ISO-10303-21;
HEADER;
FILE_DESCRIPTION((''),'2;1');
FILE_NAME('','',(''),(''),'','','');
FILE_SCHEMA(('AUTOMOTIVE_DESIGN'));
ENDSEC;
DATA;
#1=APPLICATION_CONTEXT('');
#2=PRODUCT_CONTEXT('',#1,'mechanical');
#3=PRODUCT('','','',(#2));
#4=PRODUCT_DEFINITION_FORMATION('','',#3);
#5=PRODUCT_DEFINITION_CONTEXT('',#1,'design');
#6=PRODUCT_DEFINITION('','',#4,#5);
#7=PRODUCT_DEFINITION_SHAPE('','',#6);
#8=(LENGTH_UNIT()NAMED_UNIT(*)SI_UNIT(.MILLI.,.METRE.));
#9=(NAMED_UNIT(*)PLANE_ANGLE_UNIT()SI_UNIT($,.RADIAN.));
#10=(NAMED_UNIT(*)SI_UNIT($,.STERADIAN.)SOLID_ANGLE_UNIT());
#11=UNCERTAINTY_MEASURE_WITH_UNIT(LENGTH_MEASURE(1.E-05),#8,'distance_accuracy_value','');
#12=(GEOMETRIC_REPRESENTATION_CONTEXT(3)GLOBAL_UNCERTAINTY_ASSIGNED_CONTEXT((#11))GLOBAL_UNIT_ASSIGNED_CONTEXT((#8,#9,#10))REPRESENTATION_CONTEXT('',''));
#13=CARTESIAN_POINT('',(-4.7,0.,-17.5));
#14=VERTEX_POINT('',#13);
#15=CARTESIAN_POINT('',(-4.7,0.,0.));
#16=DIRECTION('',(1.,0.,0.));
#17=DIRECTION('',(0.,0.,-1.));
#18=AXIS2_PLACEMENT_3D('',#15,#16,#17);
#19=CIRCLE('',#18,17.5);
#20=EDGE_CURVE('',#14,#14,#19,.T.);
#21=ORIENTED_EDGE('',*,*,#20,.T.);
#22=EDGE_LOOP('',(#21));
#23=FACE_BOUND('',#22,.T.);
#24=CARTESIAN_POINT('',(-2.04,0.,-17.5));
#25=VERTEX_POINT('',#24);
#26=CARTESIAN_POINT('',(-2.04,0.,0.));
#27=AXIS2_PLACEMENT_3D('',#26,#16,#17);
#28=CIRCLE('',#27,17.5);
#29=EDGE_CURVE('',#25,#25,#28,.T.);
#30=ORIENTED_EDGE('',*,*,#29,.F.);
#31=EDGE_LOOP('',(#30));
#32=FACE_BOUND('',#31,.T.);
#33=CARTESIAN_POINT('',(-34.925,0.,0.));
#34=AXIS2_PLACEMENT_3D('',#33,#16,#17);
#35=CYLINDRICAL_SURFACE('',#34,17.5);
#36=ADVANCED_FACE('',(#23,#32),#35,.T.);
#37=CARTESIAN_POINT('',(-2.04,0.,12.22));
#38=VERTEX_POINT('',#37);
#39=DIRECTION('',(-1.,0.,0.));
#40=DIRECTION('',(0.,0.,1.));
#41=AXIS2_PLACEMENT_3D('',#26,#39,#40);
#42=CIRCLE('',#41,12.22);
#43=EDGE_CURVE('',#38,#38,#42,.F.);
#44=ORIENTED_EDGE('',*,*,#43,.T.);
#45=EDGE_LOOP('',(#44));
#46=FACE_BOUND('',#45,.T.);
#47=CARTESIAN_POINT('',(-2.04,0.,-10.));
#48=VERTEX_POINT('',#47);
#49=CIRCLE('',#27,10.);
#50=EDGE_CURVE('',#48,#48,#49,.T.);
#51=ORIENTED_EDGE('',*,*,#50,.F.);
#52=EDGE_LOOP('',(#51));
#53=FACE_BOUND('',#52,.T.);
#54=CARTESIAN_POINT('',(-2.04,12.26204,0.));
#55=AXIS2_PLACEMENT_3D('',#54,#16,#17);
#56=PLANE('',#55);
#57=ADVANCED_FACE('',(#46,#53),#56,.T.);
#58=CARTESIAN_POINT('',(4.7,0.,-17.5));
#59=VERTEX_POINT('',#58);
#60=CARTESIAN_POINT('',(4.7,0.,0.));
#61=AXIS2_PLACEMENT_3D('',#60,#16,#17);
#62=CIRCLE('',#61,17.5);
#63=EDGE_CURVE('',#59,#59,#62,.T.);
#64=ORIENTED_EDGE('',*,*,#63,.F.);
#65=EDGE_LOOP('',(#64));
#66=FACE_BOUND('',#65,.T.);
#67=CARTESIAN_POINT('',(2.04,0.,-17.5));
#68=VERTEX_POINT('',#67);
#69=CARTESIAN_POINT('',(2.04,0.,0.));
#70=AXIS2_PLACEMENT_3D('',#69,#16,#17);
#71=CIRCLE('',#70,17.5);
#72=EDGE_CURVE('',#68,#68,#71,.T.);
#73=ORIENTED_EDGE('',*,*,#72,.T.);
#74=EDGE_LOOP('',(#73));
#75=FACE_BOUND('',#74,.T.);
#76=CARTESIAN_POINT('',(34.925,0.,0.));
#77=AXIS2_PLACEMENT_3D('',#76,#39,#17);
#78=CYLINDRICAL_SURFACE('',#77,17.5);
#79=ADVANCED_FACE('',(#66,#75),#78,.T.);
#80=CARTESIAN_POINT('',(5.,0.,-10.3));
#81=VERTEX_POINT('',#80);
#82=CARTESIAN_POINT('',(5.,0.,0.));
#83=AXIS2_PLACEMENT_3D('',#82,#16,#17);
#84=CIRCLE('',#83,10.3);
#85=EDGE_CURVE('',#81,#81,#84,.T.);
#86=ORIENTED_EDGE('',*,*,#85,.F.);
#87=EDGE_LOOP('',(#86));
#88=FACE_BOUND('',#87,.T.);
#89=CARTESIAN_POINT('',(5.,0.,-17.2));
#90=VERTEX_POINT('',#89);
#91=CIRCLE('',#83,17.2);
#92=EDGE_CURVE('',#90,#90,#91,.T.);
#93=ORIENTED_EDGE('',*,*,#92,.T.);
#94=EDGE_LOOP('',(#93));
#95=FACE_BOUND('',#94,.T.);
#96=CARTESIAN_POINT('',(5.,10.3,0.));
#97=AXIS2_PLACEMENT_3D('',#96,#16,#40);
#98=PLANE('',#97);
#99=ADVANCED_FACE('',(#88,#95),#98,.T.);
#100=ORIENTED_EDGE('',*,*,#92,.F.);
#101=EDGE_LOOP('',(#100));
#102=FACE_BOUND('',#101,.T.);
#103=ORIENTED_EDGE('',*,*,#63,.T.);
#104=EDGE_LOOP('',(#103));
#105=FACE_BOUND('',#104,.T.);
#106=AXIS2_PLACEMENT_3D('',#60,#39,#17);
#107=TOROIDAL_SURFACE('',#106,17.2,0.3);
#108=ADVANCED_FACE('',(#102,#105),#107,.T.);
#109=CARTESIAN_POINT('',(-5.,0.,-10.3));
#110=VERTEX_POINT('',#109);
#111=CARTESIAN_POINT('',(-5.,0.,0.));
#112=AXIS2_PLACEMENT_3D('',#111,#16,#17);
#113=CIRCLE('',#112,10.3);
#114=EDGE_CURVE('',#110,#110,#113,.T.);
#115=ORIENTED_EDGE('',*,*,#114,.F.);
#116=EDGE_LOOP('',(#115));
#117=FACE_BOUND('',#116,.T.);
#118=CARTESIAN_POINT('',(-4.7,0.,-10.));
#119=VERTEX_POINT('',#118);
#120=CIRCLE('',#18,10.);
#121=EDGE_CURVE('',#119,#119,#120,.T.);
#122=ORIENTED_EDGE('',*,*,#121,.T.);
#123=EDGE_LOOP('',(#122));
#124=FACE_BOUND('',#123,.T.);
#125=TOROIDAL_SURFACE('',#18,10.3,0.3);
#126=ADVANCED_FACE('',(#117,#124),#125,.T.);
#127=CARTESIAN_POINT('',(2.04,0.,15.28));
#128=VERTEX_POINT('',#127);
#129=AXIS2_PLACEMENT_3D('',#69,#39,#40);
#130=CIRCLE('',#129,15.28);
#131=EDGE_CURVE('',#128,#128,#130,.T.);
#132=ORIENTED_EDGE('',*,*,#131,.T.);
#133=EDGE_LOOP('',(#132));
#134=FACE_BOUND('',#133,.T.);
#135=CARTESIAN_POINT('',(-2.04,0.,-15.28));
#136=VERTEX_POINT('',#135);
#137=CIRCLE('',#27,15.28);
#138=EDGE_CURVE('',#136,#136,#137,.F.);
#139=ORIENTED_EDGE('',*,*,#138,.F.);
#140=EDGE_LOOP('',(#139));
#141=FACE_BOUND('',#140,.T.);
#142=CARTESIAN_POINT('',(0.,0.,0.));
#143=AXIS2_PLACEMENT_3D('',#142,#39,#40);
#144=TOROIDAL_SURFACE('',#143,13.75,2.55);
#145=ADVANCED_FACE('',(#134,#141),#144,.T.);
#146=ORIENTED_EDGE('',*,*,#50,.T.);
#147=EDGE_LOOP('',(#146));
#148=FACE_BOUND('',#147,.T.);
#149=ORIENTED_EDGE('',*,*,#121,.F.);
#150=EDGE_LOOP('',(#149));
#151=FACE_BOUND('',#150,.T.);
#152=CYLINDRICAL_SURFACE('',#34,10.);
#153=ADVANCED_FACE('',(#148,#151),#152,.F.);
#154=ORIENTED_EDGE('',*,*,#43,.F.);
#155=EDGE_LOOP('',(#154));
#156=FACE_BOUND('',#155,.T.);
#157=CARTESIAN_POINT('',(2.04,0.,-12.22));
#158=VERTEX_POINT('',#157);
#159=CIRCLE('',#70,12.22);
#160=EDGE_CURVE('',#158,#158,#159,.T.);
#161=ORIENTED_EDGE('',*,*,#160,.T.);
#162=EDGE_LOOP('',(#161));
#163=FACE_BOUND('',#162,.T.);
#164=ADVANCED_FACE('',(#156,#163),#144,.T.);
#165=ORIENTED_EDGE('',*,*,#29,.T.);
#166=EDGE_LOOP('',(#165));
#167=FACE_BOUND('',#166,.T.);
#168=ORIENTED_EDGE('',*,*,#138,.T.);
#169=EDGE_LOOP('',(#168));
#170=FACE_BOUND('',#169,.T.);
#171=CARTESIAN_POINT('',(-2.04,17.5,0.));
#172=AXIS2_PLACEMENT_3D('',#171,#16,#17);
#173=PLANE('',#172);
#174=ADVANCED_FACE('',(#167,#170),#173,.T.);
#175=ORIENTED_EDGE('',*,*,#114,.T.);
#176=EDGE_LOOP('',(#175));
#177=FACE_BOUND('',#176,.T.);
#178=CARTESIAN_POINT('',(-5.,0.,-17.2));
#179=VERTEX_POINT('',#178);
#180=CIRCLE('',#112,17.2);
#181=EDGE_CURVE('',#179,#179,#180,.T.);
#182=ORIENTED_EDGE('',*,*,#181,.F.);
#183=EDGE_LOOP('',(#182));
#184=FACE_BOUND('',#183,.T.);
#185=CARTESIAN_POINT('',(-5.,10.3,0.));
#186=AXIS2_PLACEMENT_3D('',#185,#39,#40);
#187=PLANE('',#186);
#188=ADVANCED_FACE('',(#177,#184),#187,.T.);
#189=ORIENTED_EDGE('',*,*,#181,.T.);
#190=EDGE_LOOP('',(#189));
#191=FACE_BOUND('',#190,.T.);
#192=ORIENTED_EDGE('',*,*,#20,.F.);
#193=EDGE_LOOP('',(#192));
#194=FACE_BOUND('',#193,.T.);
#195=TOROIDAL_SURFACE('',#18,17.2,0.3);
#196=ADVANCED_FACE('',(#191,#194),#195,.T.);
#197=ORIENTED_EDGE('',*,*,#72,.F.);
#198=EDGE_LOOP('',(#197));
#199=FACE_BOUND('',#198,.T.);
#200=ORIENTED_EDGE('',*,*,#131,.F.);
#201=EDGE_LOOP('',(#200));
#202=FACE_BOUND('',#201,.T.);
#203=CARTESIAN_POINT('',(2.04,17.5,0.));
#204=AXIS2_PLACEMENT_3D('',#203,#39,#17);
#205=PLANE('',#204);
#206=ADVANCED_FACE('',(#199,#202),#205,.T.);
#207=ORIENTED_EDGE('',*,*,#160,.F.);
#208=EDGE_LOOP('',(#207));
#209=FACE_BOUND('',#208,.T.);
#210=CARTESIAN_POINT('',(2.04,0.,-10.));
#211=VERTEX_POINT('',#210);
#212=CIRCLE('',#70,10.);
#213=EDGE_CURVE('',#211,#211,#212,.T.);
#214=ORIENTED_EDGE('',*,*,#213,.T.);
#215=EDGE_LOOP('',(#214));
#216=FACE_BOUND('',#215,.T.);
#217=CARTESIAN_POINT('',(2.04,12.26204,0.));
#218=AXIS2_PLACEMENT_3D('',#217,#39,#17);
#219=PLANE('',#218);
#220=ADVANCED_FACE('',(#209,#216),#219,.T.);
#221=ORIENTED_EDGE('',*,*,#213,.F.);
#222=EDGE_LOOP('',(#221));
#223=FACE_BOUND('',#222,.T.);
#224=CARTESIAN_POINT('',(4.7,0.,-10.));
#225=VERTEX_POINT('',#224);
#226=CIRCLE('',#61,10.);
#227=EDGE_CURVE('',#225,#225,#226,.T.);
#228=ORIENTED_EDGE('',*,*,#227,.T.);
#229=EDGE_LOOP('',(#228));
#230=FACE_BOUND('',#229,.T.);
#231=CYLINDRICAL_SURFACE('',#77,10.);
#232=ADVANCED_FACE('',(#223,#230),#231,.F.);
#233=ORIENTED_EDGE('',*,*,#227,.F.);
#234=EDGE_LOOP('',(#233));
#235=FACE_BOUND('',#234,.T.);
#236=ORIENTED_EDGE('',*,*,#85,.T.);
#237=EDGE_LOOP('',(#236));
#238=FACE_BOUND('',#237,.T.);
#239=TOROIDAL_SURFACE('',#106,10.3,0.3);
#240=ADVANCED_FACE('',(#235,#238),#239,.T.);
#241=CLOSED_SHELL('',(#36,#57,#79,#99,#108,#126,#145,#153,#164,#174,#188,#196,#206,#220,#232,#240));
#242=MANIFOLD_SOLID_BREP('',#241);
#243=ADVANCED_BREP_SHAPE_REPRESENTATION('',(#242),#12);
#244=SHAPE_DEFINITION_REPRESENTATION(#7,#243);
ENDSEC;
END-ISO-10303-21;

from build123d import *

# Parameters (mm, degrees)
BALSIMSKE_R = 2.55


with BuildPart() as part:
    # InnRacSke → Race (revolve)
    with BuildSketch(Plane.XY):
        with BuildLine():
            Line((-2.04, 12.262039987), (-2.04, 10))
            Line((-2.04, 10), (-4.7, 10))
            ThreePointArc((-4.7, 10), (-4.912132034, 10.087867966), (-5, 10.3))
            Line((-5, 10.3), (-5, 17.2))
            ThreePointArc((-5, 17.2), (-4.912132034, 17.412132034), (-4.7, 17.5))
            Line((-4.7, 17.5), (-2.04, 17.5))
            Line((-2.04, 17.5), (-2.04, 15.237960013))
            ThreePointArc((-2.04, 15.237960013), (-2.525, 13.75), (-2.04, 12.262039987))
        make_face()
    race = revolve(axis=Axis((-34.925, 0, 0), (1, 0, 0)))

    # BalSimSke → BallsSimplified (revolve)
    with BuildSketch(Plane.XY):
        with Locations((0, 13.75)):
            Circle(BALSIMSKE_R)
    revolve(axis=Axis((-25.4, 0, 0), (1, 0, 0)))

    # Mirror1: Race across plane
    add(race.mirror(Plane(origin=(0, 0, 0), x_dir=(0, 0, 1), z_dir=(1, 0, 0))))


solid = part.part
